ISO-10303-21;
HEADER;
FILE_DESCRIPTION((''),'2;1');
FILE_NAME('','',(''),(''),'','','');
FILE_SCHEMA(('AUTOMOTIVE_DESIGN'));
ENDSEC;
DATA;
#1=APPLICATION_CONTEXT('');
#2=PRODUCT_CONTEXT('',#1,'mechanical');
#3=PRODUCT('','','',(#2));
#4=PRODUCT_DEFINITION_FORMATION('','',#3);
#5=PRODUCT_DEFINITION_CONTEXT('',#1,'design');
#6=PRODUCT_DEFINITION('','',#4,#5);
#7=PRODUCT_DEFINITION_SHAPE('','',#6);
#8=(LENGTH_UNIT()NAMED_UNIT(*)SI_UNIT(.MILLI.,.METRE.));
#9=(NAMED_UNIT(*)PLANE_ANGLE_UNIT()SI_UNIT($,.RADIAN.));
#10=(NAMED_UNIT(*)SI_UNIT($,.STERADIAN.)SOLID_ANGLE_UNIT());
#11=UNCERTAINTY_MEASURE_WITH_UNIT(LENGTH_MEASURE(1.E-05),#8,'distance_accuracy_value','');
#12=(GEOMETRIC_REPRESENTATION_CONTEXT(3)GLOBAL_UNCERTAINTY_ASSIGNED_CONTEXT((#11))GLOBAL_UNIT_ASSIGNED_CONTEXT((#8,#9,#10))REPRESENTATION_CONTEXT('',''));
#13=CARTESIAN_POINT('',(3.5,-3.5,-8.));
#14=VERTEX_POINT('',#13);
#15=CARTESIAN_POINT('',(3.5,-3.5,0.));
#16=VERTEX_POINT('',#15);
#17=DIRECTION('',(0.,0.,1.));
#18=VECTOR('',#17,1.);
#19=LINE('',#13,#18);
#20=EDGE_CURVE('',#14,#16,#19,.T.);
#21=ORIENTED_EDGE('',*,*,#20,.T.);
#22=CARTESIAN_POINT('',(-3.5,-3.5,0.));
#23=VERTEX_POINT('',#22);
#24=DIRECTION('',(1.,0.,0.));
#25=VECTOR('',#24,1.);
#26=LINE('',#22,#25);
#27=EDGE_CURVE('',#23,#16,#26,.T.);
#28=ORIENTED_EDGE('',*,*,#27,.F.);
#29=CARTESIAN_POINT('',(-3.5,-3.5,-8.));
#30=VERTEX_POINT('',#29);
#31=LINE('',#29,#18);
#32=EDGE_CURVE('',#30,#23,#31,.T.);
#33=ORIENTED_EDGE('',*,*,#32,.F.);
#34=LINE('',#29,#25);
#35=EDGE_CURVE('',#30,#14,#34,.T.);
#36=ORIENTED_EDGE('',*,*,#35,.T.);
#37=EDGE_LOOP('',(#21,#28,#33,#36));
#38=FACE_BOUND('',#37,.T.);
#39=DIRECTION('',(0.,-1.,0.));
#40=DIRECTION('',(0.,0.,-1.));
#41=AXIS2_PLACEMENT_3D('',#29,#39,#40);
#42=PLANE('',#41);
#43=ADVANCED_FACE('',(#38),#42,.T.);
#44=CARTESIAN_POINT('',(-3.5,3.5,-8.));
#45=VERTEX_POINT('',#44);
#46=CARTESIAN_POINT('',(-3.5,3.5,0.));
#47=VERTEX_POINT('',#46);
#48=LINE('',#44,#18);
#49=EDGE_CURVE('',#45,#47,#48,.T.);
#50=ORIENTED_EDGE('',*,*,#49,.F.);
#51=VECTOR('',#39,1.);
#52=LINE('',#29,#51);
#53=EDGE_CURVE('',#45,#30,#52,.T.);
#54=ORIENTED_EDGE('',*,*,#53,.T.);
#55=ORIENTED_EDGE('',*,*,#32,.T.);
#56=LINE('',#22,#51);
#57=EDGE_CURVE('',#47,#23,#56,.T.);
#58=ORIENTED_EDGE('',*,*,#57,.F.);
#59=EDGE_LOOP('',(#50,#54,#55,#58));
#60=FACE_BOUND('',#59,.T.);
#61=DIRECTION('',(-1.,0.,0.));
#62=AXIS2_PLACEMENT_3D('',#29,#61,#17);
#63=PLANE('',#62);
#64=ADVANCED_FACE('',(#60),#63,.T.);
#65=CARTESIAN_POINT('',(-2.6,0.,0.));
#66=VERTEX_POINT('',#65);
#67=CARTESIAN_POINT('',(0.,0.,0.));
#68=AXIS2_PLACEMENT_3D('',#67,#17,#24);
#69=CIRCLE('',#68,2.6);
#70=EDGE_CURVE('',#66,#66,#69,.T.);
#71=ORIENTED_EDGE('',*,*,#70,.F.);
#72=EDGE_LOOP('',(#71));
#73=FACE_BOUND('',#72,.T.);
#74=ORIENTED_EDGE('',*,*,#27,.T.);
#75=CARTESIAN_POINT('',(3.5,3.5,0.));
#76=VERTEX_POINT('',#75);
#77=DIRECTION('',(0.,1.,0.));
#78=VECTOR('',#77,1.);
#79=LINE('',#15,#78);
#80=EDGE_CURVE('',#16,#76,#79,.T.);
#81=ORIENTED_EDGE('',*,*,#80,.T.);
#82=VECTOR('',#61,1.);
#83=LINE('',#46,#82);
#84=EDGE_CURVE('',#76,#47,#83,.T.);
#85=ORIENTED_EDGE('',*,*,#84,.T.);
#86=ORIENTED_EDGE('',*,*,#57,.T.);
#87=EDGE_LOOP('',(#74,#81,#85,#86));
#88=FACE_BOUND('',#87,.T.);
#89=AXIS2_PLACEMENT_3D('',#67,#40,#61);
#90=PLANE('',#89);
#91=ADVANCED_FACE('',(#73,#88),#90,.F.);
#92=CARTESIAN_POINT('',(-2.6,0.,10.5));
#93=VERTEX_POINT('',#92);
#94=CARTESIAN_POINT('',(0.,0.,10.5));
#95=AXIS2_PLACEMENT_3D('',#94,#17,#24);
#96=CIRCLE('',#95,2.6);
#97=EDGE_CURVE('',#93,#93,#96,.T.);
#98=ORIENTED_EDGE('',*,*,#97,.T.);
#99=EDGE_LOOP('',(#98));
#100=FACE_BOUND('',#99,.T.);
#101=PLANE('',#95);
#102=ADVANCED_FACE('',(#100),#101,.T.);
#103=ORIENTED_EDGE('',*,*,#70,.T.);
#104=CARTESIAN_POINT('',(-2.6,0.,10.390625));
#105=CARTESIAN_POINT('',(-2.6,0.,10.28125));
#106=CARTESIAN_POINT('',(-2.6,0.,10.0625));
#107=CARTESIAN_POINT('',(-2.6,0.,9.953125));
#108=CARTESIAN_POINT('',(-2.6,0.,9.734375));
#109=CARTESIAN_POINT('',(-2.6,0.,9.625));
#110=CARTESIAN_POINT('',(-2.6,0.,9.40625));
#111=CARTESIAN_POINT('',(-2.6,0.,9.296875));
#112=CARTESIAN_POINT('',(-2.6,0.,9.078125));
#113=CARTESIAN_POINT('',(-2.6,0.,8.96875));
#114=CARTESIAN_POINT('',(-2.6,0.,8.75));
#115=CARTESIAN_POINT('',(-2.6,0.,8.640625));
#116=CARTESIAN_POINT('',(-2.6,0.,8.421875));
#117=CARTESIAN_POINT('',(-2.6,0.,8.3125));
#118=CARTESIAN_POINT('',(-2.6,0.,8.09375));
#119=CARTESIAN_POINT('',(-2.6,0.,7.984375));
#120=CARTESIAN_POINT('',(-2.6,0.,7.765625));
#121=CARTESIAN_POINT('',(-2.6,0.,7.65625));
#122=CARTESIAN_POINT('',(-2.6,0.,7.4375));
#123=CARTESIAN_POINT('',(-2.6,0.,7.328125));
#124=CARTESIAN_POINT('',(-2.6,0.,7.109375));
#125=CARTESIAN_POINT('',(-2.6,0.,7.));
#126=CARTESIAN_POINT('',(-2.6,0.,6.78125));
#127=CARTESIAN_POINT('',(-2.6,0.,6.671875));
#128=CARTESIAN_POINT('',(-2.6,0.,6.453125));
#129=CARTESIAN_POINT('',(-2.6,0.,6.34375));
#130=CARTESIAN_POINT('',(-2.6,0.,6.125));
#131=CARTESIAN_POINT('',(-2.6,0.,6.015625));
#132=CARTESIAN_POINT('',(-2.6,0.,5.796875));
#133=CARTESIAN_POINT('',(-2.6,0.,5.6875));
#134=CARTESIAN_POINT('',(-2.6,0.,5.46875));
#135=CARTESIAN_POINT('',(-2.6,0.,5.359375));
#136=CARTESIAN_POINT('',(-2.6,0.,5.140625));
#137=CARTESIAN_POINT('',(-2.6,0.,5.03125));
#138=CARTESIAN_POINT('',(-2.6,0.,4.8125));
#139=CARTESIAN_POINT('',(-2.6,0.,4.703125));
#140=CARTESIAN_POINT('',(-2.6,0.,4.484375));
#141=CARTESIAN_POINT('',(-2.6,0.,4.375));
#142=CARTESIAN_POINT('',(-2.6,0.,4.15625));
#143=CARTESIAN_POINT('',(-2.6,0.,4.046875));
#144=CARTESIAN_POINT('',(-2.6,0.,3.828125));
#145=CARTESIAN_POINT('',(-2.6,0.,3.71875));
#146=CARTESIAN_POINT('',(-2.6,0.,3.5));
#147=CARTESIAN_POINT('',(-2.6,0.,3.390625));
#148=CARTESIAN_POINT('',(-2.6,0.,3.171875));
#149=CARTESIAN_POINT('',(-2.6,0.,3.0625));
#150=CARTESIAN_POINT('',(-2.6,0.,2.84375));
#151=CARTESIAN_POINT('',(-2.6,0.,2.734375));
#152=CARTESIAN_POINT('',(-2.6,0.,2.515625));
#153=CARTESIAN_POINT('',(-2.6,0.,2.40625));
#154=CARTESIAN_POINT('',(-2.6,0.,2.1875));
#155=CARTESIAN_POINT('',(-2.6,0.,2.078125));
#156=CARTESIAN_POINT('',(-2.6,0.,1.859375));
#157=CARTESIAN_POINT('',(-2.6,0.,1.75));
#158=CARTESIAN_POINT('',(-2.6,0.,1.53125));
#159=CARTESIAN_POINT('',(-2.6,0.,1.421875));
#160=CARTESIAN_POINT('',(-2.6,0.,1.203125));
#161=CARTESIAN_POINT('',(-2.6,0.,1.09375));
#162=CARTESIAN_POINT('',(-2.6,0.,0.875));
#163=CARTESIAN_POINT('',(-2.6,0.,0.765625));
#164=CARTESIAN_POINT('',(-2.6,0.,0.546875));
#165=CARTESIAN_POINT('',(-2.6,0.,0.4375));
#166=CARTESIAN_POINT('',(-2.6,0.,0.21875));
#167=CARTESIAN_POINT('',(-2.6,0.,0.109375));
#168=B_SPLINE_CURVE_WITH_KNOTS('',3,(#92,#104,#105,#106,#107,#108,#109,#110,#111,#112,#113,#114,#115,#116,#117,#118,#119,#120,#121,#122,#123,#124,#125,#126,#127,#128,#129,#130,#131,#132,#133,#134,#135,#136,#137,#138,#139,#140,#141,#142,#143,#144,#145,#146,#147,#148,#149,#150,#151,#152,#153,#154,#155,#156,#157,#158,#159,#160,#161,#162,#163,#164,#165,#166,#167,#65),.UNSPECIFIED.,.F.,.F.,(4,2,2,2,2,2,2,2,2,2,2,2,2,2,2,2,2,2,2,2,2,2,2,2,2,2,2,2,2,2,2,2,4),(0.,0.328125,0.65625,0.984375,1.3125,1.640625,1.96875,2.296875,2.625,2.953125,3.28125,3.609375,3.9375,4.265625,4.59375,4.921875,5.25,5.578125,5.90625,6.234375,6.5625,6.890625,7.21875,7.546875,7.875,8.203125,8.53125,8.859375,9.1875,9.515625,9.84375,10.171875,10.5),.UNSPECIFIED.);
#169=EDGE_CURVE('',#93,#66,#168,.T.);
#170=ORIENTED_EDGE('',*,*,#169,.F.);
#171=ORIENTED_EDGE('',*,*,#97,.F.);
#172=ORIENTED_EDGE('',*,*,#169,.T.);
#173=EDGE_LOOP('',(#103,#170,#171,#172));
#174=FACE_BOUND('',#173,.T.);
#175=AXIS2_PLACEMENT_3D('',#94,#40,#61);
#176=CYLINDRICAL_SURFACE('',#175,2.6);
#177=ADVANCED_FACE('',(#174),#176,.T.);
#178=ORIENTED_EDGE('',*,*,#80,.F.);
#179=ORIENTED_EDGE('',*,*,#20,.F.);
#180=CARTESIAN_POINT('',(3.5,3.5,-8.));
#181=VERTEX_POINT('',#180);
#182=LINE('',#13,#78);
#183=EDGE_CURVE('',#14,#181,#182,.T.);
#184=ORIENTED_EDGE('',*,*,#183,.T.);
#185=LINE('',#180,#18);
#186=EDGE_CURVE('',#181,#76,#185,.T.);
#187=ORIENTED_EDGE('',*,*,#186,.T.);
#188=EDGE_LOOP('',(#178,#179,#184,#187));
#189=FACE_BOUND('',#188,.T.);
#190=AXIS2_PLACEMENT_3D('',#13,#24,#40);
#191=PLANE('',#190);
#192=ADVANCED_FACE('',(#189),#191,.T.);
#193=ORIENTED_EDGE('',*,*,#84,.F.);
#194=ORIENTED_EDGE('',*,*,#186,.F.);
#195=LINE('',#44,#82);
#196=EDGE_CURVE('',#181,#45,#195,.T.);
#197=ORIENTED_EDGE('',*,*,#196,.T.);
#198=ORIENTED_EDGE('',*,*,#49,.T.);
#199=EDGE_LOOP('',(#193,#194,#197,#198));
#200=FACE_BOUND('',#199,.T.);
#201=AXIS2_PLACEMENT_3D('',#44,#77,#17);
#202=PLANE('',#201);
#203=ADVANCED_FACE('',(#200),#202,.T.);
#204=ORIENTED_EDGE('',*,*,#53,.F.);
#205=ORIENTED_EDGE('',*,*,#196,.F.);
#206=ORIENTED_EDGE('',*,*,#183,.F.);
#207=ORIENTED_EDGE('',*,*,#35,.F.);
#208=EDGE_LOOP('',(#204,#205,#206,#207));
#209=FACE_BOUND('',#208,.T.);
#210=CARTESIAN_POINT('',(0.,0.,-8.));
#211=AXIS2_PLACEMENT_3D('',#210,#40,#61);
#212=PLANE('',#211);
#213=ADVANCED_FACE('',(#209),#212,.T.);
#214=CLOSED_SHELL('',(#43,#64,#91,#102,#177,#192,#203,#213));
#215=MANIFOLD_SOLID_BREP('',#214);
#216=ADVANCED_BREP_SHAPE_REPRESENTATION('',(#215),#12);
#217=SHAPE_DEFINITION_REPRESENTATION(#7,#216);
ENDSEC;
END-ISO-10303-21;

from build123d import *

# Parameters (mm, degrees)
SKETCH_1_W      = 7
SKETCH_1_H      = 7
EXTRUDE_1_DEPTH = 8
SKETCH_2_R      = 2.6
EXTRUDE_2_DEPTH = 10.5


with BuildPart() as part:
    # 草图1 → 凸台-拉伸1 (new body)
    with BuildSketch(Plane.XY):
        Rectangle(SKETCH_1_W, SKETCH_1_H)
    extrude(amount=-EXTRUDE_1_DEPTH)

    # 草图2 → 凸台-拉伸2 (add)
    with BuildSketch(Plane.XY):
        with Locations(Location((0, 0, 0), (0, 0, 180))):
            Circle(SKETCH_2_R)
    extrude(amount=EXTRUDE_2_DEPTH)


solid = part.part
